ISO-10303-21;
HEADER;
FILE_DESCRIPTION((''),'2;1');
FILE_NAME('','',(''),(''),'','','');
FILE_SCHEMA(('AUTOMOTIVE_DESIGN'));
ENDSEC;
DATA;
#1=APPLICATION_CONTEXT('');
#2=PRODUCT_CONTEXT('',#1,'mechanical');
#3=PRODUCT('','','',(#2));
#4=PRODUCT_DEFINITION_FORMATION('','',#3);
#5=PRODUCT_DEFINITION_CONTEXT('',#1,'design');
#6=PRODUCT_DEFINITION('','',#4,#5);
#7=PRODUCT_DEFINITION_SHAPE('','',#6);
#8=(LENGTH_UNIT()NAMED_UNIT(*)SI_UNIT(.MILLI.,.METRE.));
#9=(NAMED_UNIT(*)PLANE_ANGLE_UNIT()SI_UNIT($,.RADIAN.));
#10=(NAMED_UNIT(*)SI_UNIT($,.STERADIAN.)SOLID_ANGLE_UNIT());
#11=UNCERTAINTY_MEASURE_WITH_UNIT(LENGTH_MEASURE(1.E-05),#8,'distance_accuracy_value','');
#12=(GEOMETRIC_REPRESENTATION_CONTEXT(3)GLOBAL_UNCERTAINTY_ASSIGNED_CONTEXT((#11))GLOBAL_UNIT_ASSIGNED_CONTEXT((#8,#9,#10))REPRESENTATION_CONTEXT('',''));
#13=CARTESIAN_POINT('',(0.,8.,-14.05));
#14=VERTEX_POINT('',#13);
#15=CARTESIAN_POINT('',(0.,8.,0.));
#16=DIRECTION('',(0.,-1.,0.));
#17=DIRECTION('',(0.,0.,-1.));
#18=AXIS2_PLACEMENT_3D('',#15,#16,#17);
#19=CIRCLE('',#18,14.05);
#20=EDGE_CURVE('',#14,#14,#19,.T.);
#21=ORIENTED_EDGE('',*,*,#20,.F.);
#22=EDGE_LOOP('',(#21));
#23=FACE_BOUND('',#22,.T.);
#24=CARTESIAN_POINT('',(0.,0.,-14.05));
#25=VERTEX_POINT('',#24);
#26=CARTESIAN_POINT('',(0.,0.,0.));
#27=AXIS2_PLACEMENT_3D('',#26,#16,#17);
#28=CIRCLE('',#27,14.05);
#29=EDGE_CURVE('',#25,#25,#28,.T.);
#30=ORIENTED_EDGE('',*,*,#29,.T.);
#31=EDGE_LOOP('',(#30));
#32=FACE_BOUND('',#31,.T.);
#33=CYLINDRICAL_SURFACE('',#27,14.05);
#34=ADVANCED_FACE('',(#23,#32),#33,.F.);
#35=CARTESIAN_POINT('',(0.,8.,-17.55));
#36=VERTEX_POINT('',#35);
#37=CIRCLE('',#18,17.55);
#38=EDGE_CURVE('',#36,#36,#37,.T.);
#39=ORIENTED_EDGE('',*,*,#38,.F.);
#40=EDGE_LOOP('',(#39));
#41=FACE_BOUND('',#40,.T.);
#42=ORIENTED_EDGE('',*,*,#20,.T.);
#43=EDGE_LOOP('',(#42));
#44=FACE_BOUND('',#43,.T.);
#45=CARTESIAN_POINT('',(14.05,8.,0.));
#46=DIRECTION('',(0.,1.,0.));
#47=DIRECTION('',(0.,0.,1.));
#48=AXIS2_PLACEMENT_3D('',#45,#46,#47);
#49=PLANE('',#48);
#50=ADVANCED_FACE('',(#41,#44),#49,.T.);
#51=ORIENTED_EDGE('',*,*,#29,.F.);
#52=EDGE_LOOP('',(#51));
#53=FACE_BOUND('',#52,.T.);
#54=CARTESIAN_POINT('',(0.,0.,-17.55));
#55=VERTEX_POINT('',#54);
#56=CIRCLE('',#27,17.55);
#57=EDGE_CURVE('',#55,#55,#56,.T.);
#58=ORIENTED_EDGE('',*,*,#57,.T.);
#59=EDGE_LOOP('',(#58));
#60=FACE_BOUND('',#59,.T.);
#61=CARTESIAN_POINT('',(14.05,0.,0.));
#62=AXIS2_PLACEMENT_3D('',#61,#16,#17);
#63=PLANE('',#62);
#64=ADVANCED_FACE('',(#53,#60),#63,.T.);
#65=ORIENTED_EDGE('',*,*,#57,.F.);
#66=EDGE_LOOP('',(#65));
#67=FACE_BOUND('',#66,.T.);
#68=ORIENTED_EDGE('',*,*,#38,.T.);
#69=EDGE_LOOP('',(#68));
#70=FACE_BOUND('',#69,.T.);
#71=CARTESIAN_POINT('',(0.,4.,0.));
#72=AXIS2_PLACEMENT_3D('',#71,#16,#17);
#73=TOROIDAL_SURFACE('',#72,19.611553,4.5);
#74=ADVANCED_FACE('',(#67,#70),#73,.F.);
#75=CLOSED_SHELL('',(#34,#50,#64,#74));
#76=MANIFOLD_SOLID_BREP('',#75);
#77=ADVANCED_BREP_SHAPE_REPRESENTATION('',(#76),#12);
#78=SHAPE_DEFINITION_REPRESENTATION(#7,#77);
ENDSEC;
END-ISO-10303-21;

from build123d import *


with BuildPart() as part:
    # Sketch1 → Revolve1 (revolve)
    with BuildSketch(Plane.XY):
        with BuildLine():
            Line((14.05, 0), (17.55, 0))
            ThreePointArc((17.55, 0), (15.111552813, 4), (17.55, 8))
            Line((17.55, 8), (14.05, 8))
            Line((14.05, 8), (14.05, 0))
        make_face()
    revolve(axis=Axis((0, 0, 0), (0, 1, 0)))


solid = part.part
